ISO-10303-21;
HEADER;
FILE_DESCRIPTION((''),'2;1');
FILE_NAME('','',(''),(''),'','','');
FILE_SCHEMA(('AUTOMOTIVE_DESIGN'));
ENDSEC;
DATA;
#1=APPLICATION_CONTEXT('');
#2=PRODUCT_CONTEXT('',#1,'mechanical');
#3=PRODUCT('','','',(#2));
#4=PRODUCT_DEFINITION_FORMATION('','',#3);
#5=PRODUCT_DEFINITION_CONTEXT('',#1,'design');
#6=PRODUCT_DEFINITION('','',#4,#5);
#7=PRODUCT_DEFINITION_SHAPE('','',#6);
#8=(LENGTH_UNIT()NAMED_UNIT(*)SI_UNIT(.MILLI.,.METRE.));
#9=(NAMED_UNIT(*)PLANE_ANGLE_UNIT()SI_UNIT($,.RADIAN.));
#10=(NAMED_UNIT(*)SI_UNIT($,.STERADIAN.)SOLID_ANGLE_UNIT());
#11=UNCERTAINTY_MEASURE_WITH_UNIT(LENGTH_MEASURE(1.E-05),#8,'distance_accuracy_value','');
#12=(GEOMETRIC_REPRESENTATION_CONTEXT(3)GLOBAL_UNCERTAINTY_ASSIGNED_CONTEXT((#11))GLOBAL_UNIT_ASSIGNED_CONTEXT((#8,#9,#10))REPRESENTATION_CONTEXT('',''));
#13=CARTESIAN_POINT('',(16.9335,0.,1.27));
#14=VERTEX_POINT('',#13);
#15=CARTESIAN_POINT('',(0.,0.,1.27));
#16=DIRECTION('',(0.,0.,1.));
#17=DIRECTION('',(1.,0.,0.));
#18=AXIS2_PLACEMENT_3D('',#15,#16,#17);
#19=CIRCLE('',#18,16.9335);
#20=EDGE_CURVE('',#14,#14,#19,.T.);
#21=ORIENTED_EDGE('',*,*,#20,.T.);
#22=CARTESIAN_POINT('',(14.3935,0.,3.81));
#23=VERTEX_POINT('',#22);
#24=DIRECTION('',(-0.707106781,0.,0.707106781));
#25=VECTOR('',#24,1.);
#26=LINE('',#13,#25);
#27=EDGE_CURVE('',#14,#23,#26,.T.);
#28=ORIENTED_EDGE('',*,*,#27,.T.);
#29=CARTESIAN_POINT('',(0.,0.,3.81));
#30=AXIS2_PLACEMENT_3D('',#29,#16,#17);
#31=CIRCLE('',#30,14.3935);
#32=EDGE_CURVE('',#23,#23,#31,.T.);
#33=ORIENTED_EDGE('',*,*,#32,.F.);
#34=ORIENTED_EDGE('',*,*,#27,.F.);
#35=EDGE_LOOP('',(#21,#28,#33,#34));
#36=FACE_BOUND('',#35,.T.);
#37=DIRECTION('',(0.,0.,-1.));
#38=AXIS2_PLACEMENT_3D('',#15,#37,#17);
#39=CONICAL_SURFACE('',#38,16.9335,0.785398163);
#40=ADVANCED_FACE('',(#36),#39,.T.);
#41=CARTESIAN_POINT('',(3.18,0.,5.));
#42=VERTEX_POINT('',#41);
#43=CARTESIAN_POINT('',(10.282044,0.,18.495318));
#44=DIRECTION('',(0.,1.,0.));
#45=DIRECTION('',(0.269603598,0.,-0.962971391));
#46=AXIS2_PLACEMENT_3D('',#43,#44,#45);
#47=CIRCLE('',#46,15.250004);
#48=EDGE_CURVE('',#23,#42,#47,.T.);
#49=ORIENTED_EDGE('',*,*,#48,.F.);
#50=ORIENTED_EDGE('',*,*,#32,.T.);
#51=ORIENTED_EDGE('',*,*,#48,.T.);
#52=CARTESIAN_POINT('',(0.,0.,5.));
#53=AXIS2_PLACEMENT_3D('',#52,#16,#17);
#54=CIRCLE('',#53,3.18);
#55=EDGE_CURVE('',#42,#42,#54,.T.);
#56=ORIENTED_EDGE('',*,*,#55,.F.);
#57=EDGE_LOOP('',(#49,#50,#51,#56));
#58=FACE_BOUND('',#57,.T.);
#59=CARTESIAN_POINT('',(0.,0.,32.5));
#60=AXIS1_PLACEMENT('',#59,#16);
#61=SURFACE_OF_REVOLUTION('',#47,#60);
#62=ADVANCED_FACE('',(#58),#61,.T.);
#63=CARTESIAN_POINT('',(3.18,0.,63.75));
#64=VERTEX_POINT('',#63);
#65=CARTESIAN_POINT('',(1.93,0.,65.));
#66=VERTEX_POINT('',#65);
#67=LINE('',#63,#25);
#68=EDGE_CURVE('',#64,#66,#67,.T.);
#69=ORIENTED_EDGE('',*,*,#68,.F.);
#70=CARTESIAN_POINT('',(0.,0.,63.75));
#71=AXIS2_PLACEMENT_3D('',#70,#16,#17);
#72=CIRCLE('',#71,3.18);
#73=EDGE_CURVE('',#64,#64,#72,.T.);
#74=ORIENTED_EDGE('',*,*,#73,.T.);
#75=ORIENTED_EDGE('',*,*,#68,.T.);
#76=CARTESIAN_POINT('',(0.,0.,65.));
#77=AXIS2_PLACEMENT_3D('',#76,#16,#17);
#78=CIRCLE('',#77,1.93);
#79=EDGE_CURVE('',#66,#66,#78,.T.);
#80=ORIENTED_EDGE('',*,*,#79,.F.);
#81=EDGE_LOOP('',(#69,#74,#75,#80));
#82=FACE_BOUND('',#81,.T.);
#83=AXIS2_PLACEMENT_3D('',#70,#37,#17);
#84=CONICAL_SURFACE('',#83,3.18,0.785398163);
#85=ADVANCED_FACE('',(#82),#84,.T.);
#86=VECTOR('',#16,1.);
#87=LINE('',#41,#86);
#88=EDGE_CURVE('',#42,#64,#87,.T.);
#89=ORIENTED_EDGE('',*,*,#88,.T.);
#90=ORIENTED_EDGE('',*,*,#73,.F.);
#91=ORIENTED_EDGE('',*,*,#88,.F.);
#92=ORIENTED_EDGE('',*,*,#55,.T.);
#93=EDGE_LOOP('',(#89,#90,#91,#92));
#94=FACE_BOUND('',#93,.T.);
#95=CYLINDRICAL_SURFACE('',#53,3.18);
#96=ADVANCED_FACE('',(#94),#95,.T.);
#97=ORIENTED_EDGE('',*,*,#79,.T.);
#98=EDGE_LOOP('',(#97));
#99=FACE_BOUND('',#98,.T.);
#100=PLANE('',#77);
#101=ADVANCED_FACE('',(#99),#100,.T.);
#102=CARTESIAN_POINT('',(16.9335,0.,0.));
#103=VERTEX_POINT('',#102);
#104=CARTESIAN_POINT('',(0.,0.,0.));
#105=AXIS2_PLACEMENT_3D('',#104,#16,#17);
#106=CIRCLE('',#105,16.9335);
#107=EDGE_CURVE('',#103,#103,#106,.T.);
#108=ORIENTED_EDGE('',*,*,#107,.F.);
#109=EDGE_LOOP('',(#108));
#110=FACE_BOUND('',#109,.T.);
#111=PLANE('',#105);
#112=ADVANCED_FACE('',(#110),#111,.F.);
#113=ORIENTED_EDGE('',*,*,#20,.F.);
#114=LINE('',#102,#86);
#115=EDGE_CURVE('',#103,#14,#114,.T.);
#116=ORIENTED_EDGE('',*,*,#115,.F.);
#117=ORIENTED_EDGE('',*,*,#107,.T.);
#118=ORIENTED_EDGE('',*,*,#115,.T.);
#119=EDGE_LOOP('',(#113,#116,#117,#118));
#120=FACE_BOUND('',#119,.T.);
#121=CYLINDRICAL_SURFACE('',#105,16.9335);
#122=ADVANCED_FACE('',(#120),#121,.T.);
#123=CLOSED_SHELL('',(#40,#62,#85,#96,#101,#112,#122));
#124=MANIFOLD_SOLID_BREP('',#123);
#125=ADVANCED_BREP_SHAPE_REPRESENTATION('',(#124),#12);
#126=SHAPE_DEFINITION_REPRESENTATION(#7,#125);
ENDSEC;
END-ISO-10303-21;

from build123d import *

# Parameters (mm, degrees)
F2_SIZE2 = 1.25
F2_SIZE  = 1.25


with BuildPart() as f1:
    # F0 (on Front) → F1 (revolve)
    with BuildSketch(Plane.XZ):
        with BuildLine():
            Line((0, 65), (0, 0))
            Line((0, 0), (16.9335, 0))
            Line((16.9335, 0), (16.9335, 1.27))
            Line((16.9335, 1.27), (14.3935, 3.81))
            ThreePointArc((14.3935, 3.81), (8.672718, 3.330467), (3.18, 5))
            Line((3.18, 5), (3.18, 65))
            Line((3.18, 65), (0, 65))
        make_face()
    revolve(axis=Axis((0, 0, 32.5), (0, 0, 1)))

    # F2
    f2_edges = [f1.edges().sort_by_distance(p)[0] for p in [
        (-3.18, 0, 65),
    ]]
    chamfer(f2_edges, length=F2_SIZE, length2=F2_SIZE2)


solid = f1.part
